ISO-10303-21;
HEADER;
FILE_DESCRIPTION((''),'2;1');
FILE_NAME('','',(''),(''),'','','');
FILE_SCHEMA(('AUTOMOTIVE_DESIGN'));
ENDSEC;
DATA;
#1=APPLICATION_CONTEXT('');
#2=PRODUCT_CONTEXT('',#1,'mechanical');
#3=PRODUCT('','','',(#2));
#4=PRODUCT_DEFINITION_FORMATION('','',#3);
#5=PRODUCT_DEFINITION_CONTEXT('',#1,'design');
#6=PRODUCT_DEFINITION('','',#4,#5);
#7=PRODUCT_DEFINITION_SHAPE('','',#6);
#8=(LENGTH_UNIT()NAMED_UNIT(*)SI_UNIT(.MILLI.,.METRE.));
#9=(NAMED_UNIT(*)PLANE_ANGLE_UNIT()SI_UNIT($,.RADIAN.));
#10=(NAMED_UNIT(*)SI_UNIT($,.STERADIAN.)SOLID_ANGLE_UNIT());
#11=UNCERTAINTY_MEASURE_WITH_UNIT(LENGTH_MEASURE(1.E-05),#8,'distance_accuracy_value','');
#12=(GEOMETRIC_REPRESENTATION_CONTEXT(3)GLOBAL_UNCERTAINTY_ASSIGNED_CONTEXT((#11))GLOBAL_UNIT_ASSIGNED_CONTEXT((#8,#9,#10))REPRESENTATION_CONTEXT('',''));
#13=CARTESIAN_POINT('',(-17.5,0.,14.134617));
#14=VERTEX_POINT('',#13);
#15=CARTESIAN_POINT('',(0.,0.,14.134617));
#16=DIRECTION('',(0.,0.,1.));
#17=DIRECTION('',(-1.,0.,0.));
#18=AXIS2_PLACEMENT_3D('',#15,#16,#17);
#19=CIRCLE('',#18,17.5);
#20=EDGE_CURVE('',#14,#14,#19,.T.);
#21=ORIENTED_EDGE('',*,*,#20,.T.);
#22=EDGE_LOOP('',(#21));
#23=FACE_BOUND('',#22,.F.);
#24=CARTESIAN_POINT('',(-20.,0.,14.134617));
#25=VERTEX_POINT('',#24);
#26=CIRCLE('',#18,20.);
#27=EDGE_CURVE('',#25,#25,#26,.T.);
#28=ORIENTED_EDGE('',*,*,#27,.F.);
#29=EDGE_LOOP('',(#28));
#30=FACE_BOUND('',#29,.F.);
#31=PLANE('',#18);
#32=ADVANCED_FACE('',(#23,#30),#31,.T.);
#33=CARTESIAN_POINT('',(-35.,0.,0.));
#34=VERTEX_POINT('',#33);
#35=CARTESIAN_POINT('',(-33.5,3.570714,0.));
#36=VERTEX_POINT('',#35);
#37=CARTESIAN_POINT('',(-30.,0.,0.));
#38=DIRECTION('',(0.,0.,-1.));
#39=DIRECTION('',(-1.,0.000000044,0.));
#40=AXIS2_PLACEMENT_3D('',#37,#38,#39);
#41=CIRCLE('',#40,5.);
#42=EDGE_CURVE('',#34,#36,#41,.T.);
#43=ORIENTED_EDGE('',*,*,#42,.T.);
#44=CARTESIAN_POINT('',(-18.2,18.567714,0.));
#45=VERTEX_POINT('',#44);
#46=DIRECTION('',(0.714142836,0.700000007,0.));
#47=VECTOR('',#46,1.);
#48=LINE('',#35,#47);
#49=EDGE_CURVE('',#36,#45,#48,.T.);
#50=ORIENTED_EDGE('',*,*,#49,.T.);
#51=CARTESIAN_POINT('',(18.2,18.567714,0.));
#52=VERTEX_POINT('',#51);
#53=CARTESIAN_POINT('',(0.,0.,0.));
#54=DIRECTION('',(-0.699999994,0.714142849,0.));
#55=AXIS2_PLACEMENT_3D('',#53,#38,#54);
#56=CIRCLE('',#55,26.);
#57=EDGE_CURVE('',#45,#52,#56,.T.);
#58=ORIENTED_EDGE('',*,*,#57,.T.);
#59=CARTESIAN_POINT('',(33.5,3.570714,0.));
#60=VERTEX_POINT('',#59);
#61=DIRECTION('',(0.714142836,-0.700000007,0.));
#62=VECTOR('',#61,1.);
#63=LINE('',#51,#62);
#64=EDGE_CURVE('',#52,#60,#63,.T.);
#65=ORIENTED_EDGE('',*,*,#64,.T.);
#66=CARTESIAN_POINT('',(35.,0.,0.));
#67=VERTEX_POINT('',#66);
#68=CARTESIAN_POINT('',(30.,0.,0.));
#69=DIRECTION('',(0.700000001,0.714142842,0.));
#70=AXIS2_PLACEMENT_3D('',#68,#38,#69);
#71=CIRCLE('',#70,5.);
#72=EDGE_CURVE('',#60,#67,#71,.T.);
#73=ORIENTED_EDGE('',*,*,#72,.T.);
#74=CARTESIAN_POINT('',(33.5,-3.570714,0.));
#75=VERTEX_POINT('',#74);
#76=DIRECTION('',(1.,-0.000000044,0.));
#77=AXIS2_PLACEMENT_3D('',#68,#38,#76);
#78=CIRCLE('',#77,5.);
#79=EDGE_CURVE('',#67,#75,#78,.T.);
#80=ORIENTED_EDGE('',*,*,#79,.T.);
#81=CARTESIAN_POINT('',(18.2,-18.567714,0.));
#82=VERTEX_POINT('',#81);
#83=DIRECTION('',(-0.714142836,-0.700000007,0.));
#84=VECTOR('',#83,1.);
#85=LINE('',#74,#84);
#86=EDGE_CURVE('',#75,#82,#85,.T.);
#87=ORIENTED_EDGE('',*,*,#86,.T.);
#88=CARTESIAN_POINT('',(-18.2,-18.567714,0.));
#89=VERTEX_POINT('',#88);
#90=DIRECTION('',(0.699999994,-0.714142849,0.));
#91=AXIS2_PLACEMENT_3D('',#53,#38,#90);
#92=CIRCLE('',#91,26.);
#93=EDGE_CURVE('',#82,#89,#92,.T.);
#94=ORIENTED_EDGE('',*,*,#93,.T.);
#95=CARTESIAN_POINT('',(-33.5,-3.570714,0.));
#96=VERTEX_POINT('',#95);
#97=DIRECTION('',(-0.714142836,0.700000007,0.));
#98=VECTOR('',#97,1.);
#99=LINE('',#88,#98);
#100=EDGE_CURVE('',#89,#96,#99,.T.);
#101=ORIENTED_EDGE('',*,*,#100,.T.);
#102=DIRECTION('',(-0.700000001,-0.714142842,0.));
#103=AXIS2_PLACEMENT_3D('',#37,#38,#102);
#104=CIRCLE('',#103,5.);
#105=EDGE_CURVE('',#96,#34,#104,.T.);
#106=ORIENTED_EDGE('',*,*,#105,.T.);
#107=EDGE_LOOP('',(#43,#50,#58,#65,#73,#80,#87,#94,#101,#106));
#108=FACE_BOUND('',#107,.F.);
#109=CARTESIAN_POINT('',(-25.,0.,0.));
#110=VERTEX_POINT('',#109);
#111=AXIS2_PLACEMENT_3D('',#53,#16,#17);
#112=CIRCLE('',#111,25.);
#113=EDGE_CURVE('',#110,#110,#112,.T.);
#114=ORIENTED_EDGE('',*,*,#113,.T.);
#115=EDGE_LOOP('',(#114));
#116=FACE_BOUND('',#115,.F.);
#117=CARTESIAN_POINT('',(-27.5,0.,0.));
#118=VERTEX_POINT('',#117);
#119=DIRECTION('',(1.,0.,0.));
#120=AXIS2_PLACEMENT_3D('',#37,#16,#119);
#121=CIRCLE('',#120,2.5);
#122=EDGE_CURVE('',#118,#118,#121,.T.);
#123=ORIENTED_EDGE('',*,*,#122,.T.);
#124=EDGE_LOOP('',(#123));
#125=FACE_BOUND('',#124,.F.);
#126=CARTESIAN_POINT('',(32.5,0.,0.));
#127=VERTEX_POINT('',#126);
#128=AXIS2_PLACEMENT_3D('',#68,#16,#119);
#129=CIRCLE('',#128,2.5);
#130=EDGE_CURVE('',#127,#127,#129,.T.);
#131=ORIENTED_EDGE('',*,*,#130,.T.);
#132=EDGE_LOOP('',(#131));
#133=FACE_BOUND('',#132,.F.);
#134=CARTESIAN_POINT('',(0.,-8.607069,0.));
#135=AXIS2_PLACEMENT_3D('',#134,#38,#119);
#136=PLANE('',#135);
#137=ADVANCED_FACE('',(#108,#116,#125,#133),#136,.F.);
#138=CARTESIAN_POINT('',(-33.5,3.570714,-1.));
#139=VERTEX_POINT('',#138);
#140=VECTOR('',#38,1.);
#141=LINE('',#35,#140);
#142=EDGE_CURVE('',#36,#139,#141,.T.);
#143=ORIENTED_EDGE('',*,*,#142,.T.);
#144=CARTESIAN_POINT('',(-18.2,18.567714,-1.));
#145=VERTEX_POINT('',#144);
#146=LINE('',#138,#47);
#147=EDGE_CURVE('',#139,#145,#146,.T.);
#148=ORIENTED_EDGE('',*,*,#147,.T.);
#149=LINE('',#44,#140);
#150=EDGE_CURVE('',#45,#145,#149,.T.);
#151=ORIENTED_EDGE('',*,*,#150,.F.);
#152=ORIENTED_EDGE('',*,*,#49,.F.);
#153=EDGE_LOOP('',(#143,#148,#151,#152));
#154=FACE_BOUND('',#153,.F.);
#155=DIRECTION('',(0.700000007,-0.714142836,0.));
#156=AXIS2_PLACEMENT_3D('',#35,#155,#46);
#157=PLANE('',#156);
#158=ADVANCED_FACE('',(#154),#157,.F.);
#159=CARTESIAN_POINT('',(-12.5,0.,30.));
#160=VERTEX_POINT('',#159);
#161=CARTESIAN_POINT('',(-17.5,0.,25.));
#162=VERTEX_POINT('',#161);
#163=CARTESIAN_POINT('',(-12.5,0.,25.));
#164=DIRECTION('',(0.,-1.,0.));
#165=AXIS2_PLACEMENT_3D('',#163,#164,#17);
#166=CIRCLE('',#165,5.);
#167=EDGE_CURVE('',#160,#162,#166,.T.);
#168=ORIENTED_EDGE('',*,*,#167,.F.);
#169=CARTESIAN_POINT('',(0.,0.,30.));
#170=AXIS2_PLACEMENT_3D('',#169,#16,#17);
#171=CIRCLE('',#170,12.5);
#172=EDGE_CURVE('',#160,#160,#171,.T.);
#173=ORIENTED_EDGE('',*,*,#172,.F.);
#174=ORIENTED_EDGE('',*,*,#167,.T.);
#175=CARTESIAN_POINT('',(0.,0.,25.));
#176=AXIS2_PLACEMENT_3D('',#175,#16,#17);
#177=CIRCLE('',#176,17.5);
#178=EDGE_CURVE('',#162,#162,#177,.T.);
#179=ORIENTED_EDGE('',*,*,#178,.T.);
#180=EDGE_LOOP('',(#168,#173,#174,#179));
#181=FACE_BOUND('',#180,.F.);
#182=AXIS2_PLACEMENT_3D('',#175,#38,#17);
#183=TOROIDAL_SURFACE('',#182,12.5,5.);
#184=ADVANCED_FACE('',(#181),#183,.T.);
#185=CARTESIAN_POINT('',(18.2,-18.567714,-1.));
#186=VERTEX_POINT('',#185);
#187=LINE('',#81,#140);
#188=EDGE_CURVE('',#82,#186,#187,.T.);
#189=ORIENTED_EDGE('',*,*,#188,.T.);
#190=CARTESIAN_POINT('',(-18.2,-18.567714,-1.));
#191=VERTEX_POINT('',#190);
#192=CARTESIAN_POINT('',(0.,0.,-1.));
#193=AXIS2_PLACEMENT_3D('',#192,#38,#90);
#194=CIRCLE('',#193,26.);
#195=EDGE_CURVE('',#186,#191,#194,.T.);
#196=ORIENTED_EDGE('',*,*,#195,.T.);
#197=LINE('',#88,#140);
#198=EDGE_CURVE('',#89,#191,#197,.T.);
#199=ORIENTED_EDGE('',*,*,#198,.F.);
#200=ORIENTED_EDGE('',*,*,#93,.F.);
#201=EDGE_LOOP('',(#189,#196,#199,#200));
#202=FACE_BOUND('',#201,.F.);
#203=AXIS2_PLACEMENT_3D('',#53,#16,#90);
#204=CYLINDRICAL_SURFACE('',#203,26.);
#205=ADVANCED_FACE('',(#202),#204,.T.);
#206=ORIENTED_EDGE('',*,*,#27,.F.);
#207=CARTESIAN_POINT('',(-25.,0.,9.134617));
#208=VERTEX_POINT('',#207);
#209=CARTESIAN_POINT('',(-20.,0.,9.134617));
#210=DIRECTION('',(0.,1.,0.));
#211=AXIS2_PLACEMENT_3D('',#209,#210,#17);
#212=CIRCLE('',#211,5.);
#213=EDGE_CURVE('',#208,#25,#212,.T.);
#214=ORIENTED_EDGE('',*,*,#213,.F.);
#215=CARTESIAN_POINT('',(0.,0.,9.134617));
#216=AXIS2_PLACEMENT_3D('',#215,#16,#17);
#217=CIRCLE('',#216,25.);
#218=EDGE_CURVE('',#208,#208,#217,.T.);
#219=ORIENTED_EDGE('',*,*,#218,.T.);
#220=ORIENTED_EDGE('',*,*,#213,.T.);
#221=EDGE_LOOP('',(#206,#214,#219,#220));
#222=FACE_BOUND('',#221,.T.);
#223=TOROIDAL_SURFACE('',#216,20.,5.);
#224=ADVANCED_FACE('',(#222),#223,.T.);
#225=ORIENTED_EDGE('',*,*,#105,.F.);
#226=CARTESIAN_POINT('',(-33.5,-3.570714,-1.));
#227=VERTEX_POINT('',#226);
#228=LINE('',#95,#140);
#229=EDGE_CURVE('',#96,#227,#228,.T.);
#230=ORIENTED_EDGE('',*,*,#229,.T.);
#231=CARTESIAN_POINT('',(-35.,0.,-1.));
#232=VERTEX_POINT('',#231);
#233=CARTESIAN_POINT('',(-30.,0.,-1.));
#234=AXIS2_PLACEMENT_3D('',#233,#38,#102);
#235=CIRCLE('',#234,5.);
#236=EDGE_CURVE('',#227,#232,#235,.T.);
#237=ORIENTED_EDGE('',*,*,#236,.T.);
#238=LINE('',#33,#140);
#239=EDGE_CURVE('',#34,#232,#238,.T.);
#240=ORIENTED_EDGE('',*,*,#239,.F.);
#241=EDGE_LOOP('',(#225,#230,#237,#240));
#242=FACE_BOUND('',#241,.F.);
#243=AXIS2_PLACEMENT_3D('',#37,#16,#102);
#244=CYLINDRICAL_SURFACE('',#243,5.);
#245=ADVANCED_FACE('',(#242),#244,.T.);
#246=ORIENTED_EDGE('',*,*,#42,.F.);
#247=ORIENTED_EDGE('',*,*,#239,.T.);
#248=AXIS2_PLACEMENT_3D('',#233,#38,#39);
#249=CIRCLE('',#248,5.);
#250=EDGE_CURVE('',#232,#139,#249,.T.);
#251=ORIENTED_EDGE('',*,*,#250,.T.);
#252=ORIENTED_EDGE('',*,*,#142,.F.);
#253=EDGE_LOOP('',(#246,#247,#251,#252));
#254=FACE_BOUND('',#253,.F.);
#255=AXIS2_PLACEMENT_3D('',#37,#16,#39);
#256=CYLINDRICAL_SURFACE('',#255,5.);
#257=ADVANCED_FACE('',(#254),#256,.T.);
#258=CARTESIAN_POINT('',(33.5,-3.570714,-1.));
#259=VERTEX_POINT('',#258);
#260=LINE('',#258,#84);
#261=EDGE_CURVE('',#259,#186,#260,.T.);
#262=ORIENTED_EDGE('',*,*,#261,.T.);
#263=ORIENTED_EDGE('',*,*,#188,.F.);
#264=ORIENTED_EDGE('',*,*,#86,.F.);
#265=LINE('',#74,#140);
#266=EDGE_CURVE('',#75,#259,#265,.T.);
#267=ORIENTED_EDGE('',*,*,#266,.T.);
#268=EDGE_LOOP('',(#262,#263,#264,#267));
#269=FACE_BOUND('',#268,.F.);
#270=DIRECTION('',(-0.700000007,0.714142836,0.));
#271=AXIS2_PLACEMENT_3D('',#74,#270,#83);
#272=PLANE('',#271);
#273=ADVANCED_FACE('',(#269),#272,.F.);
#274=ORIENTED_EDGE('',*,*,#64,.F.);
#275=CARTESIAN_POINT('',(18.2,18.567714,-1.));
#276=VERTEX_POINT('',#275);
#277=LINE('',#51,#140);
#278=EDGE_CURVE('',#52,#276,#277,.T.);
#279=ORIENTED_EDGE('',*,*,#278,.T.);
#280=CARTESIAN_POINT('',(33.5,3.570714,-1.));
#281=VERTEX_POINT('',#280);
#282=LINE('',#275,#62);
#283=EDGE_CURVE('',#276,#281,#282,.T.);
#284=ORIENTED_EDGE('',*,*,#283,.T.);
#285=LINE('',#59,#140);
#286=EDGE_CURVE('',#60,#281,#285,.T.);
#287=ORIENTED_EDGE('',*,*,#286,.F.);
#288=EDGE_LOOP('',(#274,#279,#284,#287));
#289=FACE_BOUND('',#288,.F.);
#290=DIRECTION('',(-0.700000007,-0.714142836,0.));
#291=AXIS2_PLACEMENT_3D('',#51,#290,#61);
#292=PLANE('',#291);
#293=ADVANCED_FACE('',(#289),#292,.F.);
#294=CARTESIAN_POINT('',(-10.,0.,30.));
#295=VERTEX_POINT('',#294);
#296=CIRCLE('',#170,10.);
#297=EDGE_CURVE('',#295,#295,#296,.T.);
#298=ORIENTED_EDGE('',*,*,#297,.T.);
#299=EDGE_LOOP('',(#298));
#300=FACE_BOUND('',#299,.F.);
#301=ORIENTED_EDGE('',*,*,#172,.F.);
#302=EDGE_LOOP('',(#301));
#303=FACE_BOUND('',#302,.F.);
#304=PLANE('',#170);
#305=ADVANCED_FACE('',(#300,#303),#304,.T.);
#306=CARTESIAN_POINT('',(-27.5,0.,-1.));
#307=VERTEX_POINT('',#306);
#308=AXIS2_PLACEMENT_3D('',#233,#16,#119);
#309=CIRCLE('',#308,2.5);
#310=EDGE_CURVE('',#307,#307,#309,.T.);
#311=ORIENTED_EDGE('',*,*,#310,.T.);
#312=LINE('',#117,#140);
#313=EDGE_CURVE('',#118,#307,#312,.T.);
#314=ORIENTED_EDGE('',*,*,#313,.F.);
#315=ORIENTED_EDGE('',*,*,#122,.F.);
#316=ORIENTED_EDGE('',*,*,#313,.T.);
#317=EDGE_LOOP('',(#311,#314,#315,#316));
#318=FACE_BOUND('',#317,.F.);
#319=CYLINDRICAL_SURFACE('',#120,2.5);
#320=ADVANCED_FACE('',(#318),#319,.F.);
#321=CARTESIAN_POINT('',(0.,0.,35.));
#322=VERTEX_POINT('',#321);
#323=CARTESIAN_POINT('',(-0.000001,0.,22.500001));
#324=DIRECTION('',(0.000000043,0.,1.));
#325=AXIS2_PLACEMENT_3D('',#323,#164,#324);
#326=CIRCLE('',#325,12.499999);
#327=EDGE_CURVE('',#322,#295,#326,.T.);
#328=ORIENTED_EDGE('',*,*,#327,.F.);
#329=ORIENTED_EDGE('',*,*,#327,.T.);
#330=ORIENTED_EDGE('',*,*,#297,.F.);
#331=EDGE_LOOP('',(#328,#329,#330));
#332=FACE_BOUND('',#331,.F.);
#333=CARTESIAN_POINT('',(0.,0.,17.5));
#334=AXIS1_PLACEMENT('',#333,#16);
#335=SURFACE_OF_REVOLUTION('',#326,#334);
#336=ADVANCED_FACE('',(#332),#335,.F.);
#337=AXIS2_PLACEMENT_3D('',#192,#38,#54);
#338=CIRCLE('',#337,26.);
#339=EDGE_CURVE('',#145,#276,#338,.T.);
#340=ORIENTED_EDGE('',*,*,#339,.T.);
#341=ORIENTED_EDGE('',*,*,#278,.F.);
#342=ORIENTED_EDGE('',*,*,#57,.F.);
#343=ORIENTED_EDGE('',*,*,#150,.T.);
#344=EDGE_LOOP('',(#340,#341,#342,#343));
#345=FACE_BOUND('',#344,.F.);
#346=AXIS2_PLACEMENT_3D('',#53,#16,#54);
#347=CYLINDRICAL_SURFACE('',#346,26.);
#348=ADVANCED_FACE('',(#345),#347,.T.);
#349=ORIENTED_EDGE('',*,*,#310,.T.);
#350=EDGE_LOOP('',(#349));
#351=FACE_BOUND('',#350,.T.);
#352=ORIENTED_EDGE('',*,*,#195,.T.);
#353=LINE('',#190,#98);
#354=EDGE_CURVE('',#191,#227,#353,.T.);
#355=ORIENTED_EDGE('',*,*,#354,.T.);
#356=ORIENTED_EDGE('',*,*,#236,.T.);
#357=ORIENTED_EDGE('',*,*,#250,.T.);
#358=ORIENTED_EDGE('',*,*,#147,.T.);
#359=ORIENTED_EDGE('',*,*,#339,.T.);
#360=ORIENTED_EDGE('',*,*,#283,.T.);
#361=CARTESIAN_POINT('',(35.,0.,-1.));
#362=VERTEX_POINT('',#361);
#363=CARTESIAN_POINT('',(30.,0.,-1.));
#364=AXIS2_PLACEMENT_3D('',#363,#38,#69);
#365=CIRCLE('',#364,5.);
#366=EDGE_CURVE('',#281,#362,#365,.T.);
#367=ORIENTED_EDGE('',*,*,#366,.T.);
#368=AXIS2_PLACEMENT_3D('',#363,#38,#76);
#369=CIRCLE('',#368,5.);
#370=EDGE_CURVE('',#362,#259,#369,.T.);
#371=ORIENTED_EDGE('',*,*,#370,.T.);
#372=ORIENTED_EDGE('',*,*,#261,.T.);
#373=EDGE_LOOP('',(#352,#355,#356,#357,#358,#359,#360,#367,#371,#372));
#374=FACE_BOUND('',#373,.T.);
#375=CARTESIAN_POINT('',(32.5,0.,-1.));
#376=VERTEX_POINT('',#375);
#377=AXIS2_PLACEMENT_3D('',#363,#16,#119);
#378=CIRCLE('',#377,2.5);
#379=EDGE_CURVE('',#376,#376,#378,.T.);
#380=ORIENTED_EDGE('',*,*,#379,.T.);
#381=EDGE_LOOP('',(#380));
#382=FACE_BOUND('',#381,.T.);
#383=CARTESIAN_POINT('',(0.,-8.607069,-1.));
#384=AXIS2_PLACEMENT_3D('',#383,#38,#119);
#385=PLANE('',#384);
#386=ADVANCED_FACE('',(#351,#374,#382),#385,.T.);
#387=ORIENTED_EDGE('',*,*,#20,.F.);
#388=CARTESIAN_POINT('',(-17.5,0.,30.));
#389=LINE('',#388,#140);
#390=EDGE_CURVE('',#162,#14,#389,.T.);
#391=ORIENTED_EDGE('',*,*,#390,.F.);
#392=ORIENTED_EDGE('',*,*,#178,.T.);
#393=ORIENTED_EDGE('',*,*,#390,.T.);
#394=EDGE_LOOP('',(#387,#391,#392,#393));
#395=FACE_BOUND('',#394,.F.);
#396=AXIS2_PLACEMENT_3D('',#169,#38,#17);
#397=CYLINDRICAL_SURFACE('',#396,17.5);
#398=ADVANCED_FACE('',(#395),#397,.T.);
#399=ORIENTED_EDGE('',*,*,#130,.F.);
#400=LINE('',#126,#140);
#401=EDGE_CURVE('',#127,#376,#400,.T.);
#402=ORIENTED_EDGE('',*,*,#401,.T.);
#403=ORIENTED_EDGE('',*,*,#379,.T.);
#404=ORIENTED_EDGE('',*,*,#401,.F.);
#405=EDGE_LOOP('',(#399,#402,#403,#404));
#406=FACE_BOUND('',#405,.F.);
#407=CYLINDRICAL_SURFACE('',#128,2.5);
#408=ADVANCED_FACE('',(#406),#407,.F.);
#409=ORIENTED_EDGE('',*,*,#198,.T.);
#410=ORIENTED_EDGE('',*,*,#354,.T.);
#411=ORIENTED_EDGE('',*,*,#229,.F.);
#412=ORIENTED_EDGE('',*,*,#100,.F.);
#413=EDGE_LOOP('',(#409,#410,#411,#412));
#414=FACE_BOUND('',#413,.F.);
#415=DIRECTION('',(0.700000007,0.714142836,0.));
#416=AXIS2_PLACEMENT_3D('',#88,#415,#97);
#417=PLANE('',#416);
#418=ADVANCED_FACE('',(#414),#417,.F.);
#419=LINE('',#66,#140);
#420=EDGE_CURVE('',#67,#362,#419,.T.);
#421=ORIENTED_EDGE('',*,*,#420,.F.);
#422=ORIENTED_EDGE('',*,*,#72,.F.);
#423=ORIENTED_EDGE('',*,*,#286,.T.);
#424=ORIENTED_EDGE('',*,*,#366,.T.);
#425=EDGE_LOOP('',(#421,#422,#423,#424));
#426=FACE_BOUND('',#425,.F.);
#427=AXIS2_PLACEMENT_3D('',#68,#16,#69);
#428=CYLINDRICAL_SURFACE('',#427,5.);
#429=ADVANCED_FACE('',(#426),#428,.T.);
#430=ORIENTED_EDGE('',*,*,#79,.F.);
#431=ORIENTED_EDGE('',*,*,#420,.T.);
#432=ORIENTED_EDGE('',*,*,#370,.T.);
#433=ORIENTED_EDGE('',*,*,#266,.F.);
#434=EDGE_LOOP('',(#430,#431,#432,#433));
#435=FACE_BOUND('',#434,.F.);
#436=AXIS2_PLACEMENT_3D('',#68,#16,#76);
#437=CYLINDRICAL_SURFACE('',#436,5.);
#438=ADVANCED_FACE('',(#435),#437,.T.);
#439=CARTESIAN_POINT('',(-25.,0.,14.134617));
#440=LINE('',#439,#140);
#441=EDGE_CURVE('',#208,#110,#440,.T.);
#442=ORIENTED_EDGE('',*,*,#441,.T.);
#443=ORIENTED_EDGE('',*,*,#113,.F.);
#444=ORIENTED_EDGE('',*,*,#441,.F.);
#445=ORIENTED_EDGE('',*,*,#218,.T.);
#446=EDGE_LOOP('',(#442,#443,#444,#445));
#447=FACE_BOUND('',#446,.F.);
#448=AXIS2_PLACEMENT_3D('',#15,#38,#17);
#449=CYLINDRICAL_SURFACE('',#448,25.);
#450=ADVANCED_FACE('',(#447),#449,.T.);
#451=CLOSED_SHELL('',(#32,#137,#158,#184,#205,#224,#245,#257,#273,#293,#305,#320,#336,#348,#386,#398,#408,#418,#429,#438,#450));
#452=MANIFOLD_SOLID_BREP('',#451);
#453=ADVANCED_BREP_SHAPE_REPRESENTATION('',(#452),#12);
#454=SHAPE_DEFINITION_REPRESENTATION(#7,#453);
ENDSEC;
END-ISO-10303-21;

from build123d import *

# Parameters (mm, degrees)
F2_R     = 5
F4_DEPTH = 1


with BuildPart() as f1:
    # F0 (on Front) → F1 (revolve)
    with BuildSketch(Plane.XZ):
        with BuildLine():
            Line((-25, 14.134617), (-25, 0))
            Line((-25, 0), (0, 0))
            Line((0, 0), (0, 35))
            ThreePointArc((0, 35), (-5.59017, 33.68034), (-10, 30))
            Line((-10, 30), (-17.5, 30))
            Line((-17.5, 30), (-17.5, 14.134617))
            Line((-17.5, 14.134617), (-25, 14.134617))
        make_face()
    revolve(axis=Axis((0, 0, 17.5), (0, 0, 1)))

    # F2
    f2_edges = [f1.edges().sort_by_distance(p)[0] for p in [
        (17.5, 0, 30),
        (25, 0, 14.134617),
    ]]
    fillet(f2_edges, radius=F2_R)

    # F3 (on face) → F4 (join)
    with BuildSketch(Plane(origin=(0, 0, 0), x_dir=(1, 0, 0), z_dir=(0, 0, -1))):
        with BuildLine():
            ThreePointArc((27.5, 0), (30, 2.5), (32.5, 0))
            Line((32.5, 0), (35, 0))
            ThreePointArc((35, 0), (34.609772, 1.936492), (33.5, 3.570714))
            Line((33.5, 3.570714), (18.2, 18.567714))
            ThreePointArc((18.2, 18.567714), (0, 26), (-18.2, 18.567714))
            Line((-18.2, 18.567714), (-33.5, 3.570714))
            ThreePointArc((-33.5, 3.570714), (-34.609772, 1.936492), (-35, 0))
            Line((-35, 0), (-32.5, 0))
            ThreePointArc((-32.5, 0), (-30, 2.5), (-27.5, 0))
            Line((-27.5, 0), (27.5, 0))
        make_face()
        with BuildLine():
            Line((35, 0), (32.5, 0))
            ThreePointArc((32.5, 0), (30, -2.5), (27.5, 0))
            Line((27.5, 0), (-27.5, 0))
            ThreePointArc((-27.5, 0), (-30, -2.5), (-32.5, 0))
            Line((-32.5, 0), (-35, 0))
            ThreePointArc((-35, 0), (-34.609772, -1.936492), (-33.5, -3.570714))
            Line((-33.5, -3.570714), (-18.2, -18.567714))
            ThreePointArc((-18.2, -18.567714), (0, -26), (18.2, -18.567714))
            Line((18.2, -18.567714), (33.5, -3.570714))
            ThreePointArc((33.5, -3.570714), (34.609772, -1.936492), (35, 0))
        make_face()
    extrude(amount=F4_DEPTH)


solid = f1.part
